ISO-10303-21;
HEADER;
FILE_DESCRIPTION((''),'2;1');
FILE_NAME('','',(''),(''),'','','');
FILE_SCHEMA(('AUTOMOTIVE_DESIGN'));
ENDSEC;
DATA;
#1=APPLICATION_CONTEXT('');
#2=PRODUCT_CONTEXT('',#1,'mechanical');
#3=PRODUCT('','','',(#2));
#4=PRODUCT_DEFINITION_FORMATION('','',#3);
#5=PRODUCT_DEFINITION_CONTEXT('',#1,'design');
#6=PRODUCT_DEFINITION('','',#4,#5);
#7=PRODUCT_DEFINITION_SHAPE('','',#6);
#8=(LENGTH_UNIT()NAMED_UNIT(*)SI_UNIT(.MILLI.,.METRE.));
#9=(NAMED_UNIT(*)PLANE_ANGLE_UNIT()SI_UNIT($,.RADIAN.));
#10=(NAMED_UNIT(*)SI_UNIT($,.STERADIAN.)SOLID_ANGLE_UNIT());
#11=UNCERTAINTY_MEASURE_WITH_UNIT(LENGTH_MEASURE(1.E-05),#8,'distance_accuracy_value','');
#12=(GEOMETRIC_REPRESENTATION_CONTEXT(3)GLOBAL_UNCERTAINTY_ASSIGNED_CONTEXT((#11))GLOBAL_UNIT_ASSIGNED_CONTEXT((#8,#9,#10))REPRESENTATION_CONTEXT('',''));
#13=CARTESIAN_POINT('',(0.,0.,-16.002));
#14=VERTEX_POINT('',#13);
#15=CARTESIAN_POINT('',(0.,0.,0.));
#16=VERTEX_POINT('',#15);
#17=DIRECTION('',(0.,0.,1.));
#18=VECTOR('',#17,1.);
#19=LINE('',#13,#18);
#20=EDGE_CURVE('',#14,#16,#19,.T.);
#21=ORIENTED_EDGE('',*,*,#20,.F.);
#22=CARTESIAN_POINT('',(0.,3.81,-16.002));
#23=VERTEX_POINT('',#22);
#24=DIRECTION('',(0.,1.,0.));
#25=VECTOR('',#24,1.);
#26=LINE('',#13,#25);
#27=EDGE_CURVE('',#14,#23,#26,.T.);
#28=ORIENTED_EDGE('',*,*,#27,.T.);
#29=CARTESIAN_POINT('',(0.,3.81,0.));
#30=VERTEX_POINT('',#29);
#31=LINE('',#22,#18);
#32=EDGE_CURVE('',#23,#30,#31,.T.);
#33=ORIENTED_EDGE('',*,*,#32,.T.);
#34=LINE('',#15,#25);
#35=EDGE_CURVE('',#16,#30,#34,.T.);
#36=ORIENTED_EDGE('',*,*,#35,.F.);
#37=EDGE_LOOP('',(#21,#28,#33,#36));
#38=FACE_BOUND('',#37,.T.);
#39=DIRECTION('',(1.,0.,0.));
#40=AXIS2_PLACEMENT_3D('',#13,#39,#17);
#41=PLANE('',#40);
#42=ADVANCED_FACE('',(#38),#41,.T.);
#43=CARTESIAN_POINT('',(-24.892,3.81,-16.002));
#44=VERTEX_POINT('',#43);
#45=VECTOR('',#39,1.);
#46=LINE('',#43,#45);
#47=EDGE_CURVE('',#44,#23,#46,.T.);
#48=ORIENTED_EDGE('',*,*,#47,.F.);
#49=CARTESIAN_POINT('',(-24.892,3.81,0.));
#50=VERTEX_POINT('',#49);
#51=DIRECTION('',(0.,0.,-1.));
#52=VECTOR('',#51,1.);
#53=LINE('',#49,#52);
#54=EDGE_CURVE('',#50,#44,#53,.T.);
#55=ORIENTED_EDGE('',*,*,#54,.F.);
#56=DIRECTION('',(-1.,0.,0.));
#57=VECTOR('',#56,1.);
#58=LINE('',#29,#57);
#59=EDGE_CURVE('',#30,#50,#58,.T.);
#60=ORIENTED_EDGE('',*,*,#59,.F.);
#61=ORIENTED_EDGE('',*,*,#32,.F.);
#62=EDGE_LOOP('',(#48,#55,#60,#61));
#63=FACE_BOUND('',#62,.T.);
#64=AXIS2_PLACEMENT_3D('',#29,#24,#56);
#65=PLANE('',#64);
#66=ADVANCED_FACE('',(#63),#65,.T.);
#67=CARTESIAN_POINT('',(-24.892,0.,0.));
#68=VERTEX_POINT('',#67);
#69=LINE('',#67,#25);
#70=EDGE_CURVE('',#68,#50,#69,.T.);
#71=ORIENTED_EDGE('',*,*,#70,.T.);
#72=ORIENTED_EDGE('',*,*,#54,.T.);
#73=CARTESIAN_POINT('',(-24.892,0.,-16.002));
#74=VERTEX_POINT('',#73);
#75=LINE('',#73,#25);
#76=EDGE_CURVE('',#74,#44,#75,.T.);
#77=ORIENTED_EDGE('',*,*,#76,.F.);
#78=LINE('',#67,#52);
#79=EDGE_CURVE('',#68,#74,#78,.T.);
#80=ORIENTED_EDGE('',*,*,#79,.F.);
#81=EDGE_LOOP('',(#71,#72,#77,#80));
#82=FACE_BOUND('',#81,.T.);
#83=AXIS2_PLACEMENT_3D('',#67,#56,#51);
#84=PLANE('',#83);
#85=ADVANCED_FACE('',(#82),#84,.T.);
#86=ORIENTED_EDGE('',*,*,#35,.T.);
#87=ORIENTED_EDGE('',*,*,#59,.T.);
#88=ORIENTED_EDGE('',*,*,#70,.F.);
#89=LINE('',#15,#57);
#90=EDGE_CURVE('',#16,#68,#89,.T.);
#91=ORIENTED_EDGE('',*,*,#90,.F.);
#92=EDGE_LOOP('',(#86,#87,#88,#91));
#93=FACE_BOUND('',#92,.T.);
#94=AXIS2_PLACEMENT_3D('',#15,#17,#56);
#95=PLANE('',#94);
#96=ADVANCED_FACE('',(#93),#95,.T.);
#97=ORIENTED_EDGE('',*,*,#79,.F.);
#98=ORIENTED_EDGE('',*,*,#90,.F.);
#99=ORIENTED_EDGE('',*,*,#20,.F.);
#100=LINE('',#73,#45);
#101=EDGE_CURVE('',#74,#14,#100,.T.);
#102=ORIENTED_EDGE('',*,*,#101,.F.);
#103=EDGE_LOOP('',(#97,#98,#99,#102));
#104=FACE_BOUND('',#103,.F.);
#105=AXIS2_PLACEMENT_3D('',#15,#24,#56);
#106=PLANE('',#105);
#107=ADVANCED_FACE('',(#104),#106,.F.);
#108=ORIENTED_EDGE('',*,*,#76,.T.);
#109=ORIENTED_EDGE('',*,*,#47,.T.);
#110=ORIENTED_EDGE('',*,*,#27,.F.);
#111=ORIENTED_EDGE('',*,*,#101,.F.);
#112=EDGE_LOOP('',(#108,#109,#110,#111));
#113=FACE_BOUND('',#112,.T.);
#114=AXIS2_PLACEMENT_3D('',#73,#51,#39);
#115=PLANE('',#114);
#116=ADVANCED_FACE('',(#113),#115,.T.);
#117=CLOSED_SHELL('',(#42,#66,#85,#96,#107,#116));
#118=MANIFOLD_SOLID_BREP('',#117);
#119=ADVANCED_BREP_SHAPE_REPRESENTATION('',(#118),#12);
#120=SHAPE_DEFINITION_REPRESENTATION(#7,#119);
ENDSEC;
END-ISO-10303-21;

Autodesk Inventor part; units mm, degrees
ref_plane "YZ Plane" through (0, 0, 0) normal (1, 0, 0) x (0, 1, 0)
ref_plane "XZ Plane" through (0, 0, 0) normal (0, 1, 0) x (-1, 0, 0)
ref_plane "XY Plane" through (0, 0, 0) normal (0, 0, 1) x (1, 0, 0)
sketch "Sketch1" plane through (0, 0, 0) normal (0, 1, 0) x (-1, 0, 0)
  line L0 (0, 0) -> (24.892, 0)
  line L1 (24.892, 0) -> (24.892, -16.002)
  line L2 (24.892, -16.002) -> (0, -16.002)
  line L3 (0, -16.002) -> (0, 0)
  dimension "d0" = 24.892
  dimension "d1" = 16.002
extrude "Extrusion1" add sketch "Sketch1" along normal blind 3.81
properties part number "battery_handler" material "PPS Plastic"
